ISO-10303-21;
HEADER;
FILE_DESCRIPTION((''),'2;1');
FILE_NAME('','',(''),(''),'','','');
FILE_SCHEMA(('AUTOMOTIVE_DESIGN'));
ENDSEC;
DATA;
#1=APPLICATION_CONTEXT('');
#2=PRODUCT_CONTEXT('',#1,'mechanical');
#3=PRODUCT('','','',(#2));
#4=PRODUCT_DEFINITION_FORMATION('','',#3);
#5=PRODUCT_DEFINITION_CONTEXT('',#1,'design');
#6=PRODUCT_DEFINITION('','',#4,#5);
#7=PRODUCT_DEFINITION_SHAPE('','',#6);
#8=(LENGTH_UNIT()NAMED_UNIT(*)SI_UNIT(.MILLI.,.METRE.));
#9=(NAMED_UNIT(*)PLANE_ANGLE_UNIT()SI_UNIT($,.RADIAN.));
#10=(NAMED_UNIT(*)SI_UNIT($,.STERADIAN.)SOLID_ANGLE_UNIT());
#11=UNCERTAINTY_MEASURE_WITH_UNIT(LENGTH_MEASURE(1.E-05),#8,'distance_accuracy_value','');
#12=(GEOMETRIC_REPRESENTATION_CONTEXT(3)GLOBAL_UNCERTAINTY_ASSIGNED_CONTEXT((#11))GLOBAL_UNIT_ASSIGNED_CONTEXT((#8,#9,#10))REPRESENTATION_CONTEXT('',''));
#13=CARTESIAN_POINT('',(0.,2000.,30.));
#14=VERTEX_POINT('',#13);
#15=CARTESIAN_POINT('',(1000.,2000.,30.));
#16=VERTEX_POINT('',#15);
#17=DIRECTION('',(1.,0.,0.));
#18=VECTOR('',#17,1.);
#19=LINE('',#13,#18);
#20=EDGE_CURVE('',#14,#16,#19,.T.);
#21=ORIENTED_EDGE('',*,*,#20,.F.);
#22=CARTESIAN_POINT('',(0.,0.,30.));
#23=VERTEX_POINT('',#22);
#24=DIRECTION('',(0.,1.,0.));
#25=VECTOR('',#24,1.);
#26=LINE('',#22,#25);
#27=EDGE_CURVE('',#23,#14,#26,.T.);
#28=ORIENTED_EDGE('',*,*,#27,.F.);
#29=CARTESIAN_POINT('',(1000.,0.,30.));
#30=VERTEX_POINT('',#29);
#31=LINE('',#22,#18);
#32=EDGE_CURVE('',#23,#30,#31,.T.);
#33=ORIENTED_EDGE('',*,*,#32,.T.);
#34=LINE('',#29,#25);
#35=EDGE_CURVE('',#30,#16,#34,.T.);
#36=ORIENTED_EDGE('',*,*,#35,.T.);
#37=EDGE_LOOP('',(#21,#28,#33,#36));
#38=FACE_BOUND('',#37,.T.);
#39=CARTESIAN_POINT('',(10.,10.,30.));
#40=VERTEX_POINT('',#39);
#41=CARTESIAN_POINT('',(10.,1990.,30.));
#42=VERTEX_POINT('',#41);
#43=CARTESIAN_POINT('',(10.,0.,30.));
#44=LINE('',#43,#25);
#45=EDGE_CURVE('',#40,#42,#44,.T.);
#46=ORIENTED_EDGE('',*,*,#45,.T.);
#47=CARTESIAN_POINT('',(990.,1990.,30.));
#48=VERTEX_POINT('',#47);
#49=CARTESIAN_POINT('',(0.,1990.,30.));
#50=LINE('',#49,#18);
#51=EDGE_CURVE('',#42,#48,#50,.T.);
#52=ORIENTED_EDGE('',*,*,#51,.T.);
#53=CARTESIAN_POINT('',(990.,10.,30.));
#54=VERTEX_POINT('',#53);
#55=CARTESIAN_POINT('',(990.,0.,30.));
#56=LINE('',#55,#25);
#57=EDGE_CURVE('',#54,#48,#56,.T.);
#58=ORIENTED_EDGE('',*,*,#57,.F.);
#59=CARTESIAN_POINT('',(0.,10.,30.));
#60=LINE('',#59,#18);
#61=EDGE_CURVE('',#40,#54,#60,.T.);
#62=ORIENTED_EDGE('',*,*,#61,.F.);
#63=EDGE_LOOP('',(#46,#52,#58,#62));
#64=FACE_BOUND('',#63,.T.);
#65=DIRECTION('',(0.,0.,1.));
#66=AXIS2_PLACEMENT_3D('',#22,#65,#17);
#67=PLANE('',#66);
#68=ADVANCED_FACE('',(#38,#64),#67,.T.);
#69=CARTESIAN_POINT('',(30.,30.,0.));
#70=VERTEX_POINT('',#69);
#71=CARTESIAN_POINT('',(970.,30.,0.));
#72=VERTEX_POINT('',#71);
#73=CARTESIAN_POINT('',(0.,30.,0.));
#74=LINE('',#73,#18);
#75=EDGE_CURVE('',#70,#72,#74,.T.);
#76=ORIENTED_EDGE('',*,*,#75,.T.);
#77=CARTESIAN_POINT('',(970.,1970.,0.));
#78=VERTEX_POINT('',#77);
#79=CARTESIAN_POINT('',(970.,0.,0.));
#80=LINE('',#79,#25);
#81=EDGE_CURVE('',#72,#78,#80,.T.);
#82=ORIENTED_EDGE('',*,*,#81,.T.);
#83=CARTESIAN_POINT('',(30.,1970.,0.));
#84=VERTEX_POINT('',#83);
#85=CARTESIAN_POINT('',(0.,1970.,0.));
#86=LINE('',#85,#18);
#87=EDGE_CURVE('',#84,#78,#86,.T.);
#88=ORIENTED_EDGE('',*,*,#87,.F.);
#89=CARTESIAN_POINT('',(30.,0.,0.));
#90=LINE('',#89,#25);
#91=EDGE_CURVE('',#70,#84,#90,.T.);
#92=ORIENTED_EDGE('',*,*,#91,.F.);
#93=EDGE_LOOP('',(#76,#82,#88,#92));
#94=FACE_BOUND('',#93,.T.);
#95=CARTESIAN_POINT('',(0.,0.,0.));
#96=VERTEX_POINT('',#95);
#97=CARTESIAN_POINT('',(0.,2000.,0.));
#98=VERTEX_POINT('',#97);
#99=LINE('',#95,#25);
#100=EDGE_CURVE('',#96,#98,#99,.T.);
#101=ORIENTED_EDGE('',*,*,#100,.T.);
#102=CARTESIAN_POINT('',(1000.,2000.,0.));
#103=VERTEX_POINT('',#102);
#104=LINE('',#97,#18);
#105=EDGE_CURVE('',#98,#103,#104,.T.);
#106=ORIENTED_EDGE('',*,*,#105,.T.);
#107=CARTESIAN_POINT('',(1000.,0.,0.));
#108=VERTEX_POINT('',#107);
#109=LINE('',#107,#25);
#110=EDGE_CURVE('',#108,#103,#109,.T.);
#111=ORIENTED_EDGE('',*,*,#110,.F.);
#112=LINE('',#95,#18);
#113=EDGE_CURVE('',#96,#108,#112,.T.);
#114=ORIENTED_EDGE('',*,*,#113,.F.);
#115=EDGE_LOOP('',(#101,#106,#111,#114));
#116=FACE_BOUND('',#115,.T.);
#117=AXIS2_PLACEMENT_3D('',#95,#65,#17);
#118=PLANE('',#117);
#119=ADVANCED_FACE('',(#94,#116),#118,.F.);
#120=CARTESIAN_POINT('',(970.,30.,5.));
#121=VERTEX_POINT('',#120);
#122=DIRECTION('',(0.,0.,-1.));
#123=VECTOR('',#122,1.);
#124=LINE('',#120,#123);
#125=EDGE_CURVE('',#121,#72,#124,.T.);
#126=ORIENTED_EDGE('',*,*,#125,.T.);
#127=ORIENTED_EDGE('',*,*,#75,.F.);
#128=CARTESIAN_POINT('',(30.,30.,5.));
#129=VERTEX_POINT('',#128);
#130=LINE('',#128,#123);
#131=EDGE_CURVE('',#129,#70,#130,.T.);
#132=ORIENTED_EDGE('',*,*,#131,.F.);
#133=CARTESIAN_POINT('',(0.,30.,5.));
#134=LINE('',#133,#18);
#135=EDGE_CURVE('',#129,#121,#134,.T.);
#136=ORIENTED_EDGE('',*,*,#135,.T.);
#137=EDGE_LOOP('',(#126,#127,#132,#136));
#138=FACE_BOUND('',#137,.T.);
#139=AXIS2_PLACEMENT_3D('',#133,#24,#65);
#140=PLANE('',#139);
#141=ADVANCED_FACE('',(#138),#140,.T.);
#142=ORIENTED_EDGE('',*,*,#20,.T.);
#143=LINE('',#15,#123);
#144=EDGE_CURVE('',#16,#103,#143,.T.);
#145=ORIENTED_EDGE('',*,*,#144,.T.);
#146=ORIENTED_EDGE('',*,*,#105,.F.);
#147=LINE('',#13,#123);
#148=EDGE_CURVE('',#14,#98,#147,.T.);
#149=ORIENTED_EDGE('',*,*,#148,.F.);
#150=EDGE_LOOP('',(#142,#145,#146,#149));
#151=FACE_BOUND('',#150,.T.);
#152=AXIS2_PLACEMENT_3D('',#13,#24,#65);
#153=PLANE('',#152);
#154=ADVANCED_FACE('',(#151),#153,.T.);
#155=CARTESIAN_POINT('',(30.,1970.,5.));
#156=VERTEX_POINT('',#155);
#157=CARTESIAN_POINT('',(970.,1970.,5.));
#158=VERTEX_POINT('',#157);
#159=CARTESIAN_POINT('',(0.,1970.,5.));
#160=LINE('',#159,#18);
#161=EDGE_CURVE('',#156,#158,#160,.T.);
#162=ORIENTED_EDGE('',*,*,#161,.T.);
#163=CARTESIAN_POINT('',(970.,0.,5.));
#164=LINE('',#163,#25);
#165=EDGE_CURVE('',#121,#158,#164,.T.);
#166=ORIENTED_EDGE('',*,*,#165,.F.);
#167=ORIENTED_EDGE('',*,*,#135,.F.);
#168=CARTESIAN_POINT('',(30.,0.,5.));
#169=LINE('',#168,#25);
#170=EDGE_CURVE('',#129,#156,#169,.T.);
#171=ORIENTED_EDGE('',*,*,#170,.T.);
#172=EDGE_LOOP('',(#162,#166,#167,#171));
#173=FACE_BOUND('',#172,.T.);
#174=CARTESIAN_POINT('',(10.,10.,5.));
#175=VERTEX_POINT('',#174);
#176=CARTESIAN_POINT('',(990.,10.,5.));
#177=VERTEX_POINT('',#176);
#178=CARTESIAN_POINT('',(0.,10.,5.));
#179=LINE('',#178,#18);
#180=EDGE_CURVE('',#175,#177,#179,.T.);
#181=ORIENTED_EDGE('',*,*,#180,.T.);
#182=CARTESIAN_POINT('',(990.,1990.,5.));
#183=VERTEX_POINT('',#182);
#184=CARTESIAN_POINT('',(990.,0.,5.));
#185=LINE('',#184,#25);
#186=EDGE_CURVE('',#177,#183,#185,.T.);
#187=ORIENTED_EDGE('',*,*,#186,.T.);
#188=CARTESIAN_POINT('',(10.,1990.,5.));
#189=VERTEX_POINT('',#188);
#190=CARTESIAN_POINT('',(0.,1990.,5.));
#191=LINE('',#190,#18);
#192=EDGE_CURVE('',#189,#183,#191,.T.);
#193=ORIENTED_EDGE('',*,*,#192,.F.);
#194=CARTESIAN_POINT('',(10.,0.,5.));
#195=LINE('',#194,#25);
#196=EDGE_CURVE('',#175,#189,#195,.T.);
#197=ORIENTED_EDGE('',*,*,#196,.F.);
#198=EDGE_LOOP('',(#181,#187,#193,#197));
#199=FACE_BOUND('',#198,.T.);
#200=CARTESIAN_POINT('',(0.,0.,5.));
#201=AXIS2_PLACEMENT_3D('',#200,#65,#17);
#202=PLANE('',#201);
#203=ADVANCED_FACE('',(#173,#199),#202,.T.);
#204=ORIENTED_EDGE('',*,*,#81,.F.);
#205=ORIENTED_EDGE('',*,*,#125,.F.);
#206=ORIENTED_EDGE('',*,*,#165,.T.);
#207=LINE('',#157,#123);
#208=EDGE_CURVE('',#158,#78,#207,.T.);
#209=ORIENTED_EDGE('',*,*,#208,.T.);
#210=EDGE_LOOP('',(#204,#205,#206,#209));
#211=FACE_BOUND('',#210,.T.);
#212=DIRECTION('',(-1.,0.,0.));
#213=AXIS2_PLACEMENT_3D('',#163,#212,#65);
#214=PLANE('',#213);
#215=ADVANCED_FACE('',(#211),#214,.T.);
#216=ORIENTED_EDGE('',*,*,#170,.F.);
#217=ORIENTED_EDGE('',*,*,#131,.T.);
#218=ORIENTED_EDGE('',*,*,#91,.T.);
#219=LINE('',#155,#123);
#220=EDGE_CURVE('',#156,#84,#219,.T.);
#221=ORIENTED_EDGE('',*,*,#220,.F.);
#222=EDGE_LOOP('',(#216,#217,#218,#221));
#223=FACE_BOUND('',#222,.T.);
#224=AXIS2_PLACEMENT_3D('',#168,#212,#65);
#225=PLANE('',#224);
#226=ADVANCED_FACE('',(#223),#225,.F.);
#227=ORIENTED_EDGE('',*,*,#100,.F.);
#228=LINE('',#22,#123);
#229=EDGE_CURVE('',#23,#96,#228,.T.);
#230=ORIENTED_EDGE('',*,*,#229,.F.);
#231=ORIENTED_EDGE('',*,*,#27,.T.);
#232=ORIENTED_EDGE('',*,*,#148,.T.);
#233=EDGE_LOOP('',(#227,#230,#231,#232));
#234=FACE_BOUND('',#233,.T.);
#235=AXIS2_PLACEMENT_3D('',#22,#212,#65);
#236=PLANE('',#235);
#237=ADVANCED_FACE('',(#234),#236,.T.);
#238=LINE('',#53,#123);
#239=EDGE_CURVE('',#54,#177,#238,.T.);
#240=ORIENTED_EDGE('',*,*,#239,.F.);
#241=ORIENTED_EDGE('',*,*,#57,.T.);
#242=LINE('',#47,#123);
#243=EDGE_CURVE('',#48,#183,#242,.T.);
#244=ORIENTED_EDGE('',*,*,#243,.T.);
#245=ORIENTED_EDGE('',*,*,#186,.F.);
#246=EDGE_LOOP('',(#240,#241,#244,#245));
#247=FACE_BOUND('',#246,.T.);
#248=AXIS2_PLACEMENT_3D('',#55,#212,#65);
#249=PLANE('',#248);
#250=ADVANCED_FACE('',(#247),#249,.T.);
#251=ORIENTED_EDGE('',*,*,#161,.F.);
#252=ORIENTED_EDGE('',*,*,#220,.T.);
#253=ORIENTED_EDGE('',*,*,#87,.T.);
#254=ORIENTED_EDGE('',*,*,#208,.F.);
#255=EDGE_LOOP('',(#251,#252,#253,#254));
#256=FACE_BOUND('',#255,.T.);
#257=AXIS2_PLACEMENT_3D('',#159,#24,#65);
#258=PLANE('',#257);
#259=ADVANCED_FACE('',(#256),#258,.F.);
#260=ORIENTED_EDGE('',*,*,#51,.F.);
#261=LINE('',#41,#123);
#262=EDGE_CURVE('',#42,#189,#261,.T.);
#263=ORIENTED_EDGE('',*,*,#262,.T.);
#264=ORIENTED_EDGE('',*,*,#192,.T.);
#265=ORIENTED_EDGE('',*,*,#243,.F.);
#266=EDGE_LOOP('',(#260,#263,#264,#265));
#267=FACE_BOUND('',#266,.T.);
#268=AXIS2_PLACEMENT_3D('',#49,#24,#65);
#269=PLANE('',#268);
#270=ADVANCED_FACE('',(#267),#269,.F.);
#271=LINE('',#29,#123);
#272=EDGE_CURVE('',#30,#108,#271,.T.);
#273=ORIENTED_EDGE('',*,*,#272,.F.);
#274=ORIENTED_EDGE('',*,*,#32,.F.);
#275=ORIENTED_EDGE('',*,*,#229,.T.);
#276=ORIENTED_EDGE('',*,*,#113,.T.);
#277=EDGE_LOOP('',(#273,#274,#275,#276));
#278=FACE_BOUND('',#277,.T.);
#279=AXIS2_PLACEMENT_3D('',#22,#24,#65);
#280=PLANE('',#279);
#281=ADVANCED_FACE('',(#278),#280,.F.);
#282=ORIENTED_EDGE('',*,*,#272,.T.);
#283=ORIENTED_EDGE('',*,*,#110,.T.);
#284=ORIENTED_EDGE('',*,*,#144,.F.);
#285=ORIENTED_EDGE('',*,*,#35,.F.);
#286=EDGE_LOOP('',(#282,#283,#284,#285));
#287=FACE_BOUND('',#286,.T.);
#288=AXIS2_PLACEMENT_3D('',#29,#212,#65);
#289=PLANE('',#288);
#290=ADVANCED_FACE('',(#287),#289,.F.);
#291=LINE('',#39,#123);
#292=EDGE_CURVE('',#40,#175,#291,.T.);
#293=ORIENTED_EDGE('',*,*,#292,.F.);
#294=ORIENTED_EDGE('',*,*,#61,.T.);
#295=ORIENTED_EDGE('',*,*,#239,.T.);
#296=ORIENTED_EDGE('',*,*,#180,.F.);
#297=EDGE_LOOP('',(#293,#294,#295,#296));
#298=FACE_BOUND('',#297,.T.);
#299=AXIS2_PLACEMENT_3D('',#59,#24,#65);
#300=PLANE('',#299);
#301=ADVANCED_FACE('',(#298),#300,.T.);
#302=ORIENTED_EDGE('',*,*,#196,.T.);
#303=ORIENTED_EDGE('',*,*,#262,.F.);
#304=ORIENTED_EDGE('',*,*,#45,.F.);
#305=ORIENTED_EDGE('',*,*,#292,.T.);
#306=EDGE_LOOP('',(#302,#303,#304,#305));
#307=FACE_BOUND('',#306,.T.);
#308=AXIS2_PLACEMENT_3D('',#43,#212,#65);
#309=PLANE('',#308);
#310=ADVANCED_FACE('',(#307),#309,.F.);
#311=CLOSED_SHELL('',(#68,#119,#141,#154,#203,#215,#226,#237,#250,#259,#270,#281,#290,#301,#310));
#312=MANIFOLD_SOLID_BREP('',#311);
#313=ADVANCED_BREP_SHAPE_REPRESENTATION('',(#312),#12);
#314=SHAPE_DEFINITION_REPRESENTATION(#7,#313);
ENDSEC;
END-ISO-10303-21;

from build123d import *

# Parameters (mm, degrees)
CROQUIS1_W              = 980
CROQUIS1_H              = 1980
CROQUIS1_W_2            = 940
CROQUIS1_H_2            = 1940
SALIENTE_EXTRUIR1_DEPTH = 5
CROQUIS1_4_W            = 1000
CROQUIS1_4_H            = 2000
CROQUIS1_4_W_2          = 980
CROQUIS1_4_H_2          = 1980
SALIENTE_EXTRUIR2_DEPTH = 30


with BuildPart() as part:
    # Croquis1 → Saliente-Extruir1 (new body)
    with BuildSketch(Plane.XY):
        with Locations((500, 1000)):
            Rectangle(CROQUIS1_W, CROQUIS1_H)
        with Locations((500, 1000)):
            Rectangle(CROQUIS1_W_2, CROQUIS1_H_2, mode=Mode.SUBTRACT)
    extrude(amount=SALIENTE_EXTRUIR1_DEPTH)

    # Croquis1<4> → Saliente-Extruir2 (add)
    with BuildSketch(Plane.XY):
        with Locations((500, 1000)):
            Rectangle(CROQUIS1_4_W, CROQUIS1_4_H)
        with Locations((500, 1000)):
            Rectangle(CROQUIS1_4_W_2, CROQUIS1_4_H_2, mode=Mode.SUBTRACT)
    extrude(amount=SALIENTE_EXTRUIR2_DEPTH)


solid = part.part
